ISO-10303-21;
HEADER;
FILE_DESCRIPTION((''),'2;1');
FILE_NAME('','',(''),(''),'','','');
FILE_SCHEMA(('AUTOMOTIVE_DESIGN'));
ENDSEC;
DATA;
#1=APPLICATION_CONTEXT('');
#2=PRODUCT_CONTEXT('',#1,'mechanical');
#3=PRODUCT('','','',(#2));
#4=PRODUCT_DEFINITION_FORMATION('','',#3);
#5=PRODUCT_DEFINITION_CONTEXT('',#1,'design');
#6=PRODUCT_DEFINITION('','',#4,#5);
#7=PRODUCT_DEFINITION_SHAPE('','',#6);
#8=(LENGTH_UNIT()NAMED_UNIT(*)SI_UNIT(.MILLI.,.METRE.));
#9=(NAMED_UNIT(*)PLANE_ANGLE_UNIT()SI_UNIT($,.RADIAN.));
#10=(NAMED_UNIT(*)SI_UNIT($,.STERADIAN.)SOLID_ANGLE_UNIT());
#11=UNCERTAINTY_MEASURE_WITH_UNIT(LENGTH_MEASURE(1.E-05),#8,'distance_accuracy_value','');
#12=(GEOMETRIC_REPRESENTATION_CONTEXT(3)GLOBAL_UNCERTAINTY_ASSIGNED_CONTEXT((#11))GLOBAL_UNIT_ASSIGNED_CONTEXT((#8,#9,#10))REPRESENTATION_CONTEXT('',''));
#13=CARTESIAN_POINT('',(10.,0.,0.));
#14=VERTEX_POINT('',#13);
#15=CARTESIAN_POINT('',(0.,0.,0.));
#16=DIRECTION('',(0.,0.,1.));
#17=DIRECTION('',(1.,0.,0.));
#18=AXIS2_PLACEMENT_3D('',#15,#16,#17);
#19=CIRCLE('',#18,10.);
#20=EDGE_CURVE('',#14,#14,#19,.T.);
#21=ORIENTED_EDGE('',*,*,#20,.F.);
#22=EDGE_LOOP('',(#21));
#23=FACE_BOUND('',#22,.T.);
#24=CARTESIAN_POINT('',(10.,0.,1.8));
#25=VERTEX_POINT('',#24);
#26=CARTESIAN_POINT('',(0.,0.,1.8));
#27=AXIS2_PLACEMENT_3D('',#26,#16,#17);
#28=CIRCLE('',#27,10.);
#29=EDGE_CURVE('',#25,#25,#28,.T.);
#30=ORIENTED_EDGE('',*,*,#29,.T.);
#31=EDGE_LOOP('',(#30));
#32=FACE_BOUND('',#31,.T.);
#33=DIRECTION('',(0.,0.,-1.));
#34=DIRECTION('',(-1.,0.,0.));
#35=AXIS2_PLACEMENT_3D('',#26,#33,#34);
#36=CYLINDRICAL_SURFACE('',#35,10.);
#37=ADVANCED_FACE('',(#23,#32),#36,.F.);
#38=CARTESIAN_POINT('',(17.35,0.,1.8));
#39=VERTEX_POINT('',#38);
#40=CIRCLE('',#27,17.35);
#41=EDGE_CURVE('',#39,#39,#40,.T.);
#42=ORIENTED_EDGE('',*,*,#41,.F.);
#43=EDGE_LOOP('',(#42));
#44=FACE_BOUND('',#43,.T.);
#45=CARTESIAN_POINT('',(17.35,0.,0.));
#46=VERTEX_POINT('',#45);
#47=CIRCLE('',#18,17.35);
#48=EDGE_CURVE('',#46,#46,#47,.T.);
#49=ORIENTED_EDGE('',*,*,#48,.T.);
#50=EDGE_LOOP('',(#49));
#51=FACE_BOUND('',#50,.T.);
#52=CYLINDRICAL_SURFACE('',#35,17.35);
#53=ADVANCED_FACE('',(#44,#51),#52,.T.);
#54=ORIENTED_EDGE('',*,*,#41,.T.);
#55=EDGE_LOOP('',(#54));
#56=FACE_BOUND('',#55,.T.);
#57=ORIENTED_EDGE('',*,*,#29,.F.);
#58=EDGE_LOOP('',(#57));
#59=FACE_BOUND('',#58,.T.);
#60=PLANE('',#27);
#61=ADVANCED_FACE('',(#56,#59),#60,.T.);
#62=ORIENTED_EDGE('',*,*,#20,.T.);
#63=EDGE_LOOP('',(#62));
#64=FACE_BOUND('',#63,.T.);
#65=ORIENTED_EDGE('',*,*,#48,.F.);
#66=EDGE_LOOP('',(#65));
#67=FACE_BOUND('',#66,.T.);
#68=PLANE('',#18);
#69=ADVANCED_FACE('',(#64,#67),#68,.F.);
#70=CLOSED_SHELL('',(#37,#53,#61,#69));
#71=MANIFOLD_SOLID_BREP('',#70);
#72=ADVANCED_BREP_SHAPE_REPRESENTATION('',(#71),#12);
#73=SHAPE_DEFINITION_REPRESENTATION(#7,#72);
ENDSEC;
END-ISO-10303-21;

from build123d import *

# Parameters (mm, degrees)
ESQUISSE1_R          = 17.35
ESQUISSE1_R_2        = 10
BASE_EXTRUSION_DEPTH = 1.8


with BuildPart() as part:
    # Esquisse1 → Base-Extrusion (new body)
    with BuildSketch(Plane.XY):
        Circle(ESQUISSE1_R)
        Circle(ESQUISSE1_R_2, mode=Mode.SUBTRACT)
    extrude(amount=BASE_EXTRUSION_DEPTH)


solid = part.part
